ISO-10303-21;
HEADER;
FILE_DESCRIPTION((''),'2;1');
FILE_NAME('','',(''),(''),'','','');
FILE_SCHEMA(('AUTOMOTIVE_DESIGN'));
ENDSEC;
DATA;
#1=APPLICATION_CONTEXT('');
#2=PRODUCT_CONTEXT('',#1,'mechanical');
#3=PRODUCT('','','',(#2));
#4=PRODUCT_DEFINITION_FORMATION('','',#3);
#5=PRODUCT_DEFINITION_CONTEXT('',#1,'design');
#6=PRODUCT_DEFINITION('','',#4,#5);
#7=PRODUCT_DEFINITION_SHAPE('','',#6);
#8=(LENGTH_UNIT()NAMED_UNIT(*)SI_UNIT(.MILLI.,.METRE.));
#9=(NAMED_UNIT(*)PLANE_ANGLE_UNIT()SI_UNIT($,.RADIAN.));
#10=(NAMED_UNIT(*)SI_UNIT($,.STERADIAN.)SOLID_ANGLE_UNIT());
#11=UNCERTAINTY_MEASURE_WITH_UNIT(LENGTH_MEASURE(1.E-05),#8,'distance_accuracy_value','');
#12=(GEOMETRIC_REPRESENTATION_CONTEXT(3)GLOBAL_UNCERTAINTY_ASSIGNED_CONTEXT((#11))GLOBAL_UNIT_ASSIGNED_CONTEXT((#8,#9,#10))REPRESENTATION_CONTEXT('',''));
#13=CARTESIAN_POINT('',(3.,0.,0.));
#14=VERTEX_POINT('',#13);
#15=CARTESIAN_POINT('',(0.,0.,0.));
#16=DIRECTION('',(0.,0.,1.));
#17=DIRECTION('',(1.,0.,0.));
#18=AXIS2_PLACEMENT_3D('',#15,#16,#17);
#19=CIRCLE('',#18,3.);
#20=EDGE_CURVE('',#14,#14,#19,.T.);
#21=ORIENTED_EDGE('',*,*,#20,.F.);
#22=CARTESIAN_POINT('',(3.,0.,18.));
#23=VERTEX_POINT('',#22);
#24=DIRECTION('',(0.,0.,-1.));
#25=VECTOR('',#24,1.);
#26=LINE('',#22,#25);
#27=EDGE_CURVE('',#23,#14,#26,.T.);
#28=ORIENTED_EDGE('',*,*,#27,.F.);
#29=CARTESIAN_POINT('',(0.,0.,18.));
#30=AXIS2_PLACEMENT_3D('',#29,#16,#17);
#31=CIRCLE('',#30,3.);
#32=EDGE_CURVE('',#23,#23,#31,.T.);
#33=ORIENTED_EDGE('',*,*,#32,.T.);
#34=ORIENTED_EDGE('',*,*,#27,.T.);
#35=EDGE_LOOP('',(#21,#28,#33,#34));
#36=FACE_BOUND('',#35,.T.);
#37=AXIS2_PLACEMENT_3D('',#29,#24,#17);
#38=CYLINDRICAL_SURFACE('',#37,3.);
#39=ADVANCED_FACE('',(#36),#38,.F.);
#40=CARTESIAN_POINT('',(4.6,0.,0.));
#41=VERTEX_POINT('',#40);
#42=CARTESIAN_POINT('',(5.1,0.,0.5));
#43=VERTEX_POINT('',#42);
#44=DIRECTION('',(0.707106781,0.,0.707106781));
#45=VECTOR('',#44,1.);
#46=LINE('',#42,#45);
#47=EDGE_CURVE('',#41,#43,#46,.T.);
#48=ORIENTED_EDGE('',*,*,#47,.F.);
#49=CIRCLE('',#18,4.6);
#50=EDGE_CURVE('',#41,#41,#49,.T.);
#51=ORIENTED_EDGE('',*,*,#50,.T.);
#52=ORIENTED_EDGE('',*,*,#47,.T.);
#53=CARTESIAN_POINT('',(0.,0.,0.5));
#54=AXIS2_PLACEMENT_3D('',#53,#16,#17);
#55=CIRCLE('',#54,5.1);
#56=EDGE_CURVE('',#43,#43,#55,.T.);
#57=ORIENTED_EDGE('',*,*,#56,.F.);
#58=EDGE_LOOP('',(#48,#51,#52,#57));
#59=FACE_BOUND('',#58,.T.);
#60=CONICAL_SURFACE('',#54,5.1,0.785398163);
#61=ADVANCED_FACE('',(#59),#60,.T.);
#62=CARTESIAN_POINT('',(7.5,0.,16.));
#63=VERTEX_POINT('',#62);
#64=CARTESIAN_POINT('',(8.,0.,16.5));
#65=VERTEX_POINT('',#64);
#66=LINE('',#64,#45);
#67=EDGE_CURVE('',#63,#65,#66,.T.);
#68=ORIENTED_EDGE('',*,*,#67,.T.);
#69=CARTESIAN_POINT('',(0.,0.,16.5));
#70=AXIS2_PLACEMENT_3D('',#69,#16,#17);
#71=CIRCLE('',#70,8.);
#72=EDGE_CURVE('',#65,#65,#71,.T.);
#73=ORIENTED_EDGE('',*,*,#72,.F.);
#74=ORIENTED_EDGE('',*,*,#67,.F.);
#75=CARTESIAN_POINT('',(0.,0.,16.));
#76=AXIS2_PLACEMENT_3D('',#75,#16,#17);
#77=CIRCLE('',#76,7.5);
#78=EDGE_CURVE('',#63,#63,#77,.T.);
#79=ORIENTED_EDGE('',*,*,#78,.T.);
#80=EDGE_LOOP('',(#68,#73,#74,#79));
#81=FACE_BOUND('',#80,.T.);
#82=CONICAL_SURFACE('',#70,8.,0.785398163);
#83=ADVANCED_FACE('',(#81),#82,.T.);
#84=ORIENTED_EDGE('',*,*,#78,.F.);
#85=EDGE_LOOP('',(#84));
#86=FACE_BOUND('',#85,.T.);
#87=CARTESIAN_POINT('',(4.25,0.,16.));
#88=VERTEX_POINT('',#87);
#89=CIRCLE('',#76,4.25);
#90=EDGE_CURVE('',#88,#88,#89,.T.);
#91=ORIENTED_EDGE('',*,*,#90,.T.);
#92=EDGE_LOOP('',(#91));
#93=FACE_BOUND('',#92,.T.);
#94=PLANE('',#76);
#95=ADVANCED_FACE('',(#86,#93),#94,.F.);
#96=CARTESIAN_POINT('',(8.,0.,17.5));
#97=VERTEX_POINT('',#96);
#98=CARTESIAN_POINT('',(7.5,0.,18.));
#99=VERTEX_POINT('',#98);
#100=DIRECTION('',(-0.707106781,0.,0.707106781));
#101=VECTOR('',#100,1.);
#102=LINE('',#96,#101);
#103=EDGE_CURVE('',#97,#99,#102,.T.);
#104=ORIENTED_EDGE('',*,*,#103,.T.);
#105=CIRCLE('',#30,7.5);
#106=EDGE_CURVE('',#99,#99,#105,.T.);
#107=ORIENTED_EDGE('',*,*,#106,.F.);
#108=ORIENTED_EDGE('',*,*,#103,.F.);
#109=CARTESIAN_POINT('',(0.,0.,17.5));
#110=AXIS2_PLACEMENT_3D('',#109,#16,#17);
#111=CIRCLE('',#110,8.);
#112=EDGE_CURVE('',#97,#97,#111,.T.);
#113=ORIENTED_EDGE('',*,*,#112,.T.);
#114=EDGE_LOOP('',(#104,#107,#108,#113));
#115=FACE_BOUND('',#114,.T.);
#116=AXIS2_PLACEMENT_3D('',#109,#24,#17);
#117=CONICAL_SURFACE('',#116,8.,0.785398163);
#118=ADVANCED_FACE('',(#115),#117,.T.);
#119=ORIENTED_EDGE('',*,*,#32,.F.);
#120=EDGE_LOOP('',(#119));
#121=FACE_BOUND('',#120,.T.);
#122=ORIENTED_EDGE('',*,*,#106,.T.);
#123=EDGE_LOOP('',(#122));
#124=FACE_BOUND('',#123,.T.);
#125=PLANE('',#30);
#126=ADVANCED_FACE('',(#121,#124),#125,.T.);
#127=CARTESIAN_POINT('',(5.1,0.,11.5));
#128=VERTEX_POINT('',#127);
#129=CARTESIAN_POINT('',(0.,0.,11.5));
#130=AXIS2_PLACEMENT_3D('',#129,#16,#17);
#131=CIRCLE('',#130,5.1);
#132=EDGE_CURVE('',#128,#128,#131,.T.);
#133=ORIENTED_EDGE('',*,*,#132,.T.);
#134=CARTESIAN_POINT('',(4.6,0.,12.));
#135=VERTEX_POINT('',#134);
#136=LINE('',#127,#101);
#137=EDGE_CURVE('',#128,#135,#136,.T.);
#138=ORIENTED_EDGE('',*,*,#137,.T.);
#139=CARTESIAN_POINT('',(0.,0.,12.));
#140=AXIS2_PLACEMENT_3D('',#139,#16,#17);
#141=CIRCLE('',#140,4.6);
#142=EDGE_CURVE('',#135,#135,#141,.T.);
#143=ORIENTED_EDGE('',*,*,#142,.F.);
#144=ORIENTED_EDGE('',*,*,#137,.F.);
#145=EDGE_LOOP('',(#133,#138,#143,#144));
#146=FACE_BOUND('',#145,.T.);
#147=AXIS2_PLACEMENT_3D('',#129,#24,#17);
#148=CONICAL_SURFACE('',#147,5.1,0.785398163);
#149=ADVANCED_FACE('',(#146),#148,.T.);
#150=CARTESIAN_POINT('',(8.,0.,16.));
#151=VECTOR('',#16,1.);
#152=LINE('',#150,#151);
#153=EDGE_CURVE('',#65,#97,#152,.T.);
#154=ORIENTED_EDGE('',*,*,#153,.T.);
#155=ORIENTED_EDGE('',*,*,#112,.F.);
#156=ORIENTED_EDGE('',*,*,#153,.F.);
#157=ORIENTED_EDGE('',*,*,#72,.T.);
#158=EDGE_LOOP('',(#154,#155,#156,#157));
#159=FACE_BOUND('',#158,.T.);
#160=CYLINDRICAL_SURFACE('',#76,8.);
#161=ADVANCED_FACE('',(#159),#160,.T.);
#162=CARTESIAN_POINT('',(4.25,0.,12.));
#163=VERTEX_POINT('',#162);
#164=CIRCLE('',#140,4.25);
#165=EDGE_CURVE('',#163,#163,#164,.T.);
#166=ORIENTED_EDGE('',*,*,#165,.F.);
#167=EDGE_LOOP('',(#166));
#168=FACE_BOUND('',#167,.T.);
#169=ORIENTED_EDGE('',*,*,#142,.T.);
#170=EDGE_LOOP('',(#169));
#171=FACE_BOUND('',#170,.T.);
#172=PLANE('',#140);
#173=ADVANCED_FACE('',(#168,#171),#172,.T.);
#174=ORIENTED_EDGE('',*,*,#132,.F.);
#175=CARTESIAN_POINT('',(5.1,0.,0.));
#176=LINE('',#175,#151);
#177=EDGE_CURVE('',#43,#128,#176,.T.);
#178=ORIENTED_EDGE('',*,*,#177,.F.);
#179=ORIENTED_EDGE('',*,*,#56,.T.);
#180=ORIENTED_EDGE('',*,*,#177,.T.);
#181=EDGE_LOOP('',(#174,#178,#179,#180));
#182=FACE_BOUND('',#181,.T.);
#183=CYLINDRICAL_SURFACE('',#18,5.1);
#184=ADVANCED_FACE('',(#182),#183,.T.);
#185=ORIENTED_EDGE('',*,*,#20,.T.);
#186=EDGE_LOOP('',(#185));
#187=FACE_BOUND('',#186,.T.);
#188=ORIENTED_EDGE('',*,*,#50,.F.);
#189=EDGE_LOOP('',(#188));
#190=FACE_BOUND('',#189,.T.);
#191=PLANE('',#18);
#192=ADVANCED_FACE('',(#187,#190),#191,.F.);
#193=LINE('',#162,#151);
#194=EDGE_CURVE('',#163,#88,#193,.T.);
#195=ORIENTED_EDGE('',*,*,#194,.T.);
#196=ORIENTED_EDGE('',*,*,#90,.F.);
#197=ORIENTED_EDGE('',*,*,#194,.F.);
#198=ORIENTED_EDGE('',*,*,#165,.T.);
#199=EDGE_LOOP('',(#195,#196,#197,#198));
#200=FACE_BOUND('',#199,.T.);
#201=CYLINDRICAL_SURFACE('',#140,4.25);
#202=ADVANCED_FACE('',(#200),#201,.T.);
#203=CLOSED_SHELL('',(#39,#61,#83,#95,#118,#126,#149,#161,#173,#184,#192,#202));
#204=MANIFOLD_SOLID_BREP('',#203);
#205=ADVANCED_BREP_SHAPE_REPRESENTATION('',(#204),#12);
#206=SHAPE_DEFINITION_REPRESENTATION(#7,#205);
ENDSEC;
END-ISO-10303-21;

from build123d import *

# Parameters (mm, degrees)
F2_SIZE2 = 0.5
F2_SIZE  = 0.5


with BuildPart() as f1:
    # F0 (on Front) → F1 (revolve)
    with BuildSketch(Plane.XZ):
        Polygon((3, 18), (3, 0), (5.1, 0), (5.1, 12), (4.25, 12), (4.25, 16), (8, 16), (8, 18), align=None)
    revolve(axis=Axis((0, 0, 4.66205), (0, 0, 1)))

    # F2
    f2_edges = [f1.edges().sort_by_distance(p)[0] for p in [
        (-8, 0, 18),
        (-8, 0, 16),
        (-5.1, 0, 12),
        (-5.1, 0, 0),
    ]]
    chamfer(f2_edges, length=F2_SIZE, length2=F2_SIZE2)


solid = f1.part
